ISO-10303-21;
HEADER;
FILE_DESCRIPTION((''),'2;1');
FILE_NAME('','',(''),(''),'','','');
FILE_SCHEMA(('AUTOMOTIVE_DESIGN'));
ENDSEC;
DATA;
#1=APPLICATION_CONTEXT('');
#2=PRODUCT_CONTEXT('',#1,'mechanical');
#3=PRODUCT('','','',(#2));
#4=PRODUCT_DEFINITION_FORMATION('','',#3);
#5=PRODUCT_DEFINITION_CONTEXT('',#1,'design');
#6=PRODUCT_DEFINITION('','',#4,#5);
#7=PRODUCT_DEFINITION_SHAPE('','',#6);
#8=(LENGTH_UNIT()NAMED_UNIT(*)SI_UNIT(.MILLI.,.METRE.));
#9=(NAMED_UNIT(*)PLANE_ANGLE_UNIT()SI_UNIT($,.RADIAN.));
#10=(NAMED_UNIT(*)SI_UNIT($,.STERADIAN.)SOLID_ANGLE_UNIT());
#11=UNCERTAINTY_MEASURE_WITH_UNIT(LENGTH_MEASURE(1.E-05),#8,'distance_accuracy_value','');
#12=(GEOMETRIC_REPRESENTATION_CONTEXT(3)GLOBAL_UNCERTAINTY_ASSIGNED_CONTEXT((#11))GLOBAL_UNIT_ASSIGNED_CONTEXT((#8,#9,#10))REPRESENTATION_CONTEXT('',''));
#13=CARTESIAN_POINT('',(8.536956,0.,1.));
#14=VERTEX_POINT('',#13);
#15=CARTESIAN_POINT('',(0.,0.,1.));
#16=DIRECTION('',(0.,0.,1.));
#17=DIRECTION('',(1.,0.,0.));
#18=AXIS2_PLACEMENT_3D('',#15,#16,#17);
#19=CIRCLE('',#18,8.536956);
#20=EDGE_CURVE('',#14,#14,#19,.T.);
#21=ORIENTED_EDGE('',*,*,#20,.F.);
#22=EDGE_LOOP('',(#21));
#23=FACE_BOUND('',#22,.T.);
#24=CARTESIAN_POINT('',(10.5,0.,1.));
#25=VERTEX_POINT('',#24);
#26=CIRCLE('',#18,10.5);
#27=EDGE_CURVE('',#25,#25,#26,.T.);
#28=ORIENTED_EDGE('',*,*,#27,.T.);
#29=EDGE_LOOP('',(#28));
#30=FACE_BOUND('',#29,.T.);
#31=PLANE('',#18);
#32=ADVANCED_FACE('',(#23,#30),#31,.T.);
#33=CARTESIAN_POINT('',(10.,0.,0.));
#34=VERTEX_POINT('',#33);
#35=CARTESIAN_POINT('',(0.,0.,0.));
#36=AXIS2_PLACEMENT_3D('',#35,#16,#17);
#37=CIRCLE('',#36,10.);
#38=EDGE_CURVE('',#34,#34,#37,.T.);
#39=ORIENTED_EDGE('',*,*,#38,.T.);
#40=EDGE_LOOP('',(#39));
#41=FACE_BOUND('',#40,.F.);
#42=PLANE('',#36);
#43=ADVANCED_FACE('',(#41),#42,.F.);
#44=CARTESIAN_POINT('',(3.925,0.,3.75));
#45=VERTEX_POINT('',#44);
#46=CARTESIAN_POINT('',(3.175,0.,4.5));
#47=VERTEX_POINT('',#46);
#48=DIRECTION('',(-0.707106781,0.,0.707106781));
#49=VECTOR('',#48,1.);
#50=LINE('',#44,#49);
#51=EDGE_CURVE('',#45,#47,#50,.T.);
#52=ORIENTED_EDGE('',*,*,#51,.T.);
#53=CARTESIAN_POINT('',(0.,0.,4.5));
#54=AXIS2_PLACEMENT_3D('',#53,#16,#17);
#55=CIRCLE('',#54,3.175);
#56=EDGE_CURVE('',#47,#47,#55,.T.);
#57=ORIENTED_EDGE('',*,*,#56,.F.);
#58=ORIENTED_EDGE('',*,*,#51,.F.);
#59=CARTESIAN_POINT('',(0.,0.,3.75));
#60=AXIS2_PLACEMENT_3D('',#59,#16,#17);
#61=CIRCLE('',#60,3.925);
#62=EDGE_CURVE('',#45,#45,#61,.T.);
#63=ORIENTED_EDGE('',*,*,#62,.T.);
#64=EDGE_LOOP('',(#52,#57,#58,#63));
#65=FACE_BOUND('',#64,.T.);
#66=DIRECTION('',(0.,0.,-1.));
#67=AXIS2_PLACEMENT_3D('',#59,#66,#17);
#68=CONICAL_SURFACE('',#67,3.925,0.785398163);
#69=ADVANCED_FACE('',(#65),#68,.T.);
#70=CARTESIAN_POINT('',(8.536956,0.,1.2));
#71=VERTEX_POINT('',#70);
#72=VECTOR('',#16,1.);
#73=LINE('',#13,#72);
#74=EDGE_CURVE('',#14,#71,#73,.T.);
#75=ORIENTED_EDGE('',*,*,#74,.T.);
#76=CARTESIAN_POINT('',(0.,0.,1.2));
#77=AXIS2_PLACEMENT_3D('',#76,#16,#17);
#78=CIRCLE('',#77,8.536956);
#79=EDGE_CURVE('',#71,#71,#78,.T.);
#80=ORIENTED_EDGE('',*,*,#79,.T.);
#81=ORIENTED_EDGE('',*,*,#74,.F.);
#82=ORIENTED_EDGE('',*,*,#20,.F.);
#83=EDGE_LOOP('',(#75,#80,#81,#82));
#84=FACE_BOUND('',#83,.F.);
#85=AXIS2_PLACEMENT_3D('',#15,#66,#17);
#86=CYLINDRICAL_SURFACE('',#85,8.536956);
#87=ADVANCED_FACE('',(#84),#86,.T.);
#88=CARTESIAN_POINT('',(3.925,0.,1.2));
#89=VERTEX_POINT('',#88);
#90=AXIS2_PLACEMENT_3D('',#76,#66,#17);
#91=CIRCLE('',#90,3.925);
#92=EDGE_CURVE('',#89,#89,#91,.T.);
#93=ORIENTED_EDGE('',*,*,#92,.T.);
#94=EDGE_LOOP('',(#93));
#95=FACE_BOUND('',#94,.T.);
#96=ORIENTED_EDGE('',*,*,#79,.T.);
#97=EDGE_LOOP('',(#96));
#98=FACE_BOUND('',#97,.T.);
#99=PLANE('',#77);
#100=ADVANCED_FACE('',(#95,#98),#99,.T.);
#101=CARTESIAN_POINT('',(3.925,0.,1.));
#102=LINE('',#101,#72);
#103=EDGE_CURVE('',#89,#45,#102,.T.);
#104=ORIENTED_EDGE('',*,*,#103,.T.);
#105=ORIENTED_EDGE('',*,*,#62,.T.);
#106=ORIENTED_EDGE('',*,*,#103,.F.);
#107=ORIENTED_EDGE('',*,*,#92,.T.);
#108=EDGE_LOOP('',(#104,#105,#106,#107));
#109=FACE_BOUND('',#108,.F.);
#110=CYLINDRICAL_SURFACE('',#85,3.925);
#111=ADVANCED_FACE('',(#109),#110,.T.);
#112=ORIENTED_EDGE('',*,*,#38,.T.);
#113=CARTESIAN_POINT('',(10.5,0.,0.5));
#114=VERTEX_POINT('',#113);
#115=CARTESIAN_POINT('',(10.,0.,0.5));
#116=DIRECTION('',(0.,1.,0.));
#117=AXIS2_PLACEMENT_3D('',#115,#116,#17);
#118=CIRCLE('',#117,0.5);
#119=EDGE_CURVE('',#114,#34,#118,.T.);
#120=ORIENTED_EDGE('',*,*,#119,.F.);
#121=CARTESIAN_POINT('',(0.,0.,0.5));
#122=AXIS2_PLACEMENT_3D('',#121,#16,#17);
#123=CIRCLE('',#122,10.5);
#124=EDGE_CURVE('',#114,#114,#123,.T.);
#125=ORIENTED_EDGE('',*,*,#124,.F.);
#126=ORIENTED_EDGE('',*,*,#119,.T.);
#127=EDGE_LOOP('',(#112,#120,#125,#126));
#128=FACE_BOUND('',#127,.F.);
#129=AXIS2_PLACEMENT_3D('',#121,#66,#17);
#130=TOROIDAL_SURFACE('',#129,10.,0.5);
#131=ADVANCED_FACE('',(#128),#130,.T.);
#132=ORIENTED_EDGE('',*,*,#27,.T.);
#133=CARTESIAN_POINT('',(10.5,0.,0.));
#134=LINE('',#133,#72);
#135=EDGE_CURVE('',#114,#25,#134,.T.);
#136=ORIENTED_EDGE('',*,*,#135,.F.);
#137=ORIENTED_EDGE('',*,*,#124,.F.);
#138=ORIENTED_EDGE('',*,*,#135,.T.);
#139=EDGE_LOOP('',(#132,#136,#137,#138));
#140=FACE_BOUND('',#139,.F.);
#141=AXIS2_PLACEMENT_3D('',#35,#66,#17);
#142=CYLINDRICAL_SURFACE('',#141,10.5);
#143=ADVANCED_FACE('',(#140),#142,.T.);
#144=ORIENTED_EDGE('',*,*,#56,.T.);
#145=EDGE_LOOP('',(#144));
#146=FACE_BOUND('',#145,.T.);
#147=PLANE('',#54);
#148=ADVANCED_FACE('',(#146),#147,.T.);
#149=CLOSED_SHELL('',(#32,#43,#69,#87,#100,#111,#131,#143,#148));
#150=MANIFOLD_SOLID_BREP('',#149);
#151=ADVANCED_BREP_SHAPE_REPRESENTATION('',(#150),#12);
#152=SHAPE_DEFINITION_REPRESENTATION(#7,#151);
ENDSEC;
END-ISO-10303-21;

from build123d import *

# Parameters (mm, degrees)
F0_R     = 10.5
F1_DEPTH = 1
F2_R     = 3.925
F3_DEPTH = 3.5
F4_SIZE  = 0.75
F5_R     = 0.5
F6_R     = 8.536956
F7_DEPTH = 0.2


with BuildPart() as f1:
    # F0 (on Top) → F1 (new body)
    with BuildSketch(Plane.XY):
        Circle(F0_R)
    extrude(amount=F1_DEPTH)

    # F2 (on face) → F3 (join)
    with BuildSketch(Plane.XY.offset(1)):
        Circle(F2_R)
    extrude(amount=F3_DEPTH)

    # F4
    f4_edges = [f1.edges().sort_by_distance(p)[0] for p in [
        (-3.925, 0, 4.5),
    ]]
    chamfer(f4_edges, length=F4_SIZE)

    # F5
    f5_edges = [f1.edges().sort_by_distance(p)[0] for p in [
        (-10.5, 0, 0),
    ]]
    fillet(f5_edges, radius=F5_R)

    # F6 (on face) → F7 (join)
    with BuildSketch(Plane.XY.offset(1)):
        Circle(F6_R)
    extrude(amount=F7_DEPTH)


solid = f1.part
